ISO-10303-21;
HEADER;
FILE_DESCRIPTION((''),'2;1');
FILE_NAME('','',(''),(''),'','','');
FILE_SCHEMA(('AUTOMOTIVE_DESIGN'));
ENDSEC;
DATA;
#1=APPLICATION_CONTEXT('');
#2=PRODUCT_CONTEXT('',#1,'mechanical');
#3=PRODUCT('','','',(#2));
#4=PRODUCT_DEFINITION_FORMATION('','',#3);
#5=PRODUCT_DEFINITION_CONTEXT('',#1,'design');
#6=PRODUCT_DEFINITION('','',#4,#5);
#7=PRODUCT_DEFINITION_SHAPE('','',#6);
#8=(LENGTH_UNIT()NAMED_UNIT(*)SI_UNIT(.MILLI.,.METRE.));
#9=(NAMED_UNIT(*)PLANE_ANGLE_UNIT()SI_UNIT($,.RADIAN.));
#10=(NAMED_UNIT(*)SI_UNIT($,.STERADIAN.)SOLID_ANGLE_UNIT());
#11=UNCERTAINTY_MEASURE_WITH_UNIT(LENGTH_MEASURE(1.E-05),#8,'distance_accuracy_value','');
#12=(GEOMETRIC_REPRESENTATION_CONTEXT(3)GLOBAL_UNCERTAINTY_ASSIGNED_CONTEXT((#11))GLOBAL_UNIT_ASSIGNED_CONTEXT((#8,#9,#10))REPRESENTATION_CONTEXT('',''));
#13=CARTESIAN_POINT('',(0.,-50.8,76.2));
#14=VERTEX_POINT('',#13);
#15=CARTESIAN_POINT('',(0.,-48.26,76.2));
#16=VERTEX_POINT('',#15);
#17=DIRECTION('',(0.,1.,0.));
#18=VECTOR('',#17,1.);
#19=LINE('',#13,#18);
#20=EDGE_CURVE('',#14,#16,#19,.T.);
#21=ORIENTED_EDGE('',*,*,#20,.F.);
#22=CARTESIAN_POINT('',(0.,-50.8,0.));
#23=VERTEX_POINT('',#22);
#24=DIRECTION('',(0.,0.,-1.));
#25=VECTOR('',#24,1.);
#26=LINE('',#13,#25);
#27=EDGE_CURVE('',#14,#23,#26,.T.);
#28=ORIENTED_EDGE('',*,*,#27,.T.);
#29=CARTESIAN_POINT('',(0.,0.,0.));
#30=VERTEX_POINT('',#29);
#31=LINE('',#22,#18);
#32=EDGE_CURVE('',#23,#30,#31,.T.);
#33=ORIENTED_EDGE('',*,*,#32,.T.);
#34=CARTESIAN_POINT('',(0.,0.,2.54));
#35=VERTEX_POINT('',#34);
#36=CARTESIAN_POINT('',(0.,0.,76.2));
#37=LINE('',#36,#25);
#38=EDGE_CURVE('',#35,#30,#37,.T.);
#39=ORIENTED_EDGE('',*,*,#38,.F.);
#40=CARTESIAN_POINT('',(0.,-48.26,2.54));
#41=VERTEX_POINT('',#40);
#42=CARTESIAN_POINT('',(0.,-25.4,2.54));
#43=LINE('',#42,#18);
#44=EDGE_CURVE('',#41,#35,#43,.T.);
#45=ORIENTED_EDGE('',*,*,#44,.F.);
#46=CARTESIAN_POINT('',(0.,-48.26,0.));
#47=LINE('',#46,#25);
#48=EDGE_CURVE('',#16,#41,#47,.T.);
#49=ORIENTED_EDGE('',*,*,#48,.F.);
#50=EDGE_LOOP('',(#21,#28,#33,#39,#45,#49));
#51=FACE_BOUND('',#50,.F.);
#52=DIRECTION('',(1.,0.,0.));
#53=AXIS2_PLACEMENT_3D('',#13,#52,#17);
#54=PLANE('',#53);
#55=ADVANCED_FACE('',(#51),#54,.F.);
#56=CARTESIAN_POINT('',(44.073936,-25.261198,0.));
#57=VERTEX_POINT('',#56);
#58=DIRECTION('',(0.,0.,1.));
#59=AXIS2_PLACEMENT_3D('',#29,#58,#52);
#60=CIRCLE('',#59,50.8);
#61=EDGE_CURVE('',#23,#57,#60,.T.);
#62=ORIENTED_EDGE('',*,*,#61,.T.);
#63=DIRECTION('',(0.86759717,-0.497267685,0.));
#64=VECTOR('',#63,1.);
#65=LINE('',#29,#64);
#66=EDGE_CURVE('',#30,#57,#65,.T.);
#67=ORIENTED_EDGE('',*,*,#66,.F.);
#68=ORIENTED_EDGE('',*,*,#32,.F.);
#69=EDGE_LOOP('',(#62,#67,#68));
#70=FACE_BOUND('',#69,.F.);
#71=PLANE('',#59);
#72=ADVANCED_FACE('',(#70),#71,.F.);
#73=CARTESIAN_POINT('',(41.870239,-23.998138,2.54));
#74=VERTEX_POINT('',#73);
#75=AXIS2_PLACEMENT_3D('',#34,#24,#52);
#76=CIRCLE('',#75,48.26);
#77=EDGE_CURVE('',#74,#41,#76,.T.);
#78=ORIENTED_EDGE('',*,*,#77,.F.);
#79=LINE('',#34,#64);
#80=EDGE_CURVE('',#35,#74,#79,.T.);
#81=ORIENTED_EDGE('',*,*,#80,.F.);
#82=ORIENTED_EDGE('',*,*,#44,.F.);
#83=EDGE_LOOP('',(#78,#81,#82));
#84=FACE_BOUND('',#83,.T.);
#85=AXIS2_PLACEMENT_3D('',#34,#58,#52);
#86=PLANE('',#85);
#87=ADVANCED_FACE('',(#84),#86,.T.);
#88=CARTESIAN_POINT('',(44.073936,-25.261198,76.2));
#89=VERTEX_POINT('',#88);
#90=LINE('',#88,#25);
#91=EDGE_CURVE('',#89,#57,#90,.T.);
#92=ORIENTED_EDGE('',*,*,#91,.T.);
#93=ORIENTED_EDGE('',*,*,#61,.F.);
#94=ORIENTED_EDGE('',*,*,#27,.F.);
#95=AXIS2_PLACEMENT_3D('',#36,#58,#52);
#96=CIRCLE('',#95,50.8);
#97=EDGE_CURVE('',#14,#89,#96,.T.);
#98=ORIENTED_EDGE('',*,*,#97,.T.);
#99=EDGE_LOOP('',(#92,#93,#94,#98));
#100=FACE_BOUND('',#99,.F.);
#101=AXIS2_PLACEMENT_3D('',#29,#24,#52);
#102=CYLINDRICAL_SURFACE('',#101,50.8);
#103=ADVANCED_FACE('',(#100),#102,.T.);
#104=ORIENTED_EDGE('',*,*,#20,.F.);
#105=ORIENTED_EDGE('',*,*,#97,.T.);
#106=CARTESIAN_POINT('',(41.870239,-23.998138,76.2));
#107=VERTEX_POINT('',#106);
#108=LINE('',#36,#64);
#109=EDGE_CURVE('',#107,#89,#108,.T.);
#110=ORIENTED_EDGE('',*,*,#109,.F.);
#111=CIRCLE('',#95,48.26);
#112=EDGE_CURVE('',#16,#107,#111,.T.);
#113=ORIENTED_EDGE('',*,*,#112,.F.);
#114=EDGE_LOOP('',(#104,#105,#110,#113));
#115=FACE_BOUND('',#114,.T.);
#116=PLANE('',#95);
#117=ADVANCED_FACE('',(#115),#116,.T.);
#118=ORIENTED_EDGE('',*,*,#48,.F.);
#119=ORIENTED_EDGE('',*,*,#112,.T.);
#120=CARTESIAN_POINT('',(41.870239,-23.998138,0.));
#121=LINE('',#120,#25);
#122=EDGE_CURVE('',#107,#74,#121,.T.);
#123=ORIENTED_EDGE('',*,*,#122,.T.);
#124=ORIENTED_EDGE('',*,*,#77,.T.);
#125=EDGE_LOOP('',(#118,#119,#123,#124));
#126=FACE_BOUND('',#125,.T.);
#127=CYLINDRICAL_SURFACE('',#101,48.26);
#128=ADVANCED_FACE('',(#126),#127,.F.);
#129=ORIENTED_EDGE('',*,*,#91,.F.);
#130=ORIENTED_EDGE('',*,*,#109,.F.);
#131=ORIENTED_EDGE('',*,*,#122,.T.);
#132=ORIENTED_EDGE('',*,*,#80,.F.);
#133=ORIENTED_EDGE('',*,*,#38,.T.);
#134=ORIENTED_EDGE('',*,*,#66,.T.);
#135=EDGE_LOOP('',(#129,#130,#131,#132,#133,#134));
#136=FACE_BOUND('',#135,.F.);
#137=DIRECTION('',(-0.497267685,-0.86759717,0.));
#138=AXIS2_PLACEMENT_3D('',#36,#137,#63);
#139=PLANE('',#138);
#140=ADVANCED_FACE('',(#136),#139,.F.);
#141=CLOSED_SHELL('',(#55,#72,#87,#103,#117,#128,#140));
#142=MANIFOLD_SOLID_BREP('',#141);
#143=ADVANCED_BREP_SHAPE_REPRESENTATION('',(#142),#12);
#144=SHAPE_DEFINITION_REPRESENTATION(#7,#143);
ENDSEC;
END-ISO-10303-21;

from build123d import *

# Parameters (mm, degrees)
F0_R     = 50.8
F1_DEPTH = 76.2
F3_T     = -2.54
F4_DEPTH = 76.2


with BuildPart() as f1:
    # F0 (on Top) → F1 (new body)
    with BuildSketch(Plane.XY):
        Circle(F0_R)
    extrude(amount=F1_DEPTH)

    # F3
    f3_openings = [f1.faces().sort_by_distance(p)[0] for p in [
        (0, 0, 76.2),
    ]]
    offset(amount=F3_T, openings=f3_openings)

    # F2 (on face) → F4 (cut)
    with BuildSketch(Plane.XY.offset(76.2)):
        with BuildLine():
            Line((0, -50.8), (0, 0))
            Line((0, 0), (44.0739362402, -25.2611983939))
            ThreePointArc((44.0739362402, -25.2611983939), (49.0896932207, -13.0706548994), (50.8, 0))
            ThreePointArc((50.8, 0), (-35.9210244843, 35.9210244843), (0, -50.8))
        make_face()
    extrude(amount=-F4_DEPTH, mode=Mode.SUBTRACT)


solid = f1.part
